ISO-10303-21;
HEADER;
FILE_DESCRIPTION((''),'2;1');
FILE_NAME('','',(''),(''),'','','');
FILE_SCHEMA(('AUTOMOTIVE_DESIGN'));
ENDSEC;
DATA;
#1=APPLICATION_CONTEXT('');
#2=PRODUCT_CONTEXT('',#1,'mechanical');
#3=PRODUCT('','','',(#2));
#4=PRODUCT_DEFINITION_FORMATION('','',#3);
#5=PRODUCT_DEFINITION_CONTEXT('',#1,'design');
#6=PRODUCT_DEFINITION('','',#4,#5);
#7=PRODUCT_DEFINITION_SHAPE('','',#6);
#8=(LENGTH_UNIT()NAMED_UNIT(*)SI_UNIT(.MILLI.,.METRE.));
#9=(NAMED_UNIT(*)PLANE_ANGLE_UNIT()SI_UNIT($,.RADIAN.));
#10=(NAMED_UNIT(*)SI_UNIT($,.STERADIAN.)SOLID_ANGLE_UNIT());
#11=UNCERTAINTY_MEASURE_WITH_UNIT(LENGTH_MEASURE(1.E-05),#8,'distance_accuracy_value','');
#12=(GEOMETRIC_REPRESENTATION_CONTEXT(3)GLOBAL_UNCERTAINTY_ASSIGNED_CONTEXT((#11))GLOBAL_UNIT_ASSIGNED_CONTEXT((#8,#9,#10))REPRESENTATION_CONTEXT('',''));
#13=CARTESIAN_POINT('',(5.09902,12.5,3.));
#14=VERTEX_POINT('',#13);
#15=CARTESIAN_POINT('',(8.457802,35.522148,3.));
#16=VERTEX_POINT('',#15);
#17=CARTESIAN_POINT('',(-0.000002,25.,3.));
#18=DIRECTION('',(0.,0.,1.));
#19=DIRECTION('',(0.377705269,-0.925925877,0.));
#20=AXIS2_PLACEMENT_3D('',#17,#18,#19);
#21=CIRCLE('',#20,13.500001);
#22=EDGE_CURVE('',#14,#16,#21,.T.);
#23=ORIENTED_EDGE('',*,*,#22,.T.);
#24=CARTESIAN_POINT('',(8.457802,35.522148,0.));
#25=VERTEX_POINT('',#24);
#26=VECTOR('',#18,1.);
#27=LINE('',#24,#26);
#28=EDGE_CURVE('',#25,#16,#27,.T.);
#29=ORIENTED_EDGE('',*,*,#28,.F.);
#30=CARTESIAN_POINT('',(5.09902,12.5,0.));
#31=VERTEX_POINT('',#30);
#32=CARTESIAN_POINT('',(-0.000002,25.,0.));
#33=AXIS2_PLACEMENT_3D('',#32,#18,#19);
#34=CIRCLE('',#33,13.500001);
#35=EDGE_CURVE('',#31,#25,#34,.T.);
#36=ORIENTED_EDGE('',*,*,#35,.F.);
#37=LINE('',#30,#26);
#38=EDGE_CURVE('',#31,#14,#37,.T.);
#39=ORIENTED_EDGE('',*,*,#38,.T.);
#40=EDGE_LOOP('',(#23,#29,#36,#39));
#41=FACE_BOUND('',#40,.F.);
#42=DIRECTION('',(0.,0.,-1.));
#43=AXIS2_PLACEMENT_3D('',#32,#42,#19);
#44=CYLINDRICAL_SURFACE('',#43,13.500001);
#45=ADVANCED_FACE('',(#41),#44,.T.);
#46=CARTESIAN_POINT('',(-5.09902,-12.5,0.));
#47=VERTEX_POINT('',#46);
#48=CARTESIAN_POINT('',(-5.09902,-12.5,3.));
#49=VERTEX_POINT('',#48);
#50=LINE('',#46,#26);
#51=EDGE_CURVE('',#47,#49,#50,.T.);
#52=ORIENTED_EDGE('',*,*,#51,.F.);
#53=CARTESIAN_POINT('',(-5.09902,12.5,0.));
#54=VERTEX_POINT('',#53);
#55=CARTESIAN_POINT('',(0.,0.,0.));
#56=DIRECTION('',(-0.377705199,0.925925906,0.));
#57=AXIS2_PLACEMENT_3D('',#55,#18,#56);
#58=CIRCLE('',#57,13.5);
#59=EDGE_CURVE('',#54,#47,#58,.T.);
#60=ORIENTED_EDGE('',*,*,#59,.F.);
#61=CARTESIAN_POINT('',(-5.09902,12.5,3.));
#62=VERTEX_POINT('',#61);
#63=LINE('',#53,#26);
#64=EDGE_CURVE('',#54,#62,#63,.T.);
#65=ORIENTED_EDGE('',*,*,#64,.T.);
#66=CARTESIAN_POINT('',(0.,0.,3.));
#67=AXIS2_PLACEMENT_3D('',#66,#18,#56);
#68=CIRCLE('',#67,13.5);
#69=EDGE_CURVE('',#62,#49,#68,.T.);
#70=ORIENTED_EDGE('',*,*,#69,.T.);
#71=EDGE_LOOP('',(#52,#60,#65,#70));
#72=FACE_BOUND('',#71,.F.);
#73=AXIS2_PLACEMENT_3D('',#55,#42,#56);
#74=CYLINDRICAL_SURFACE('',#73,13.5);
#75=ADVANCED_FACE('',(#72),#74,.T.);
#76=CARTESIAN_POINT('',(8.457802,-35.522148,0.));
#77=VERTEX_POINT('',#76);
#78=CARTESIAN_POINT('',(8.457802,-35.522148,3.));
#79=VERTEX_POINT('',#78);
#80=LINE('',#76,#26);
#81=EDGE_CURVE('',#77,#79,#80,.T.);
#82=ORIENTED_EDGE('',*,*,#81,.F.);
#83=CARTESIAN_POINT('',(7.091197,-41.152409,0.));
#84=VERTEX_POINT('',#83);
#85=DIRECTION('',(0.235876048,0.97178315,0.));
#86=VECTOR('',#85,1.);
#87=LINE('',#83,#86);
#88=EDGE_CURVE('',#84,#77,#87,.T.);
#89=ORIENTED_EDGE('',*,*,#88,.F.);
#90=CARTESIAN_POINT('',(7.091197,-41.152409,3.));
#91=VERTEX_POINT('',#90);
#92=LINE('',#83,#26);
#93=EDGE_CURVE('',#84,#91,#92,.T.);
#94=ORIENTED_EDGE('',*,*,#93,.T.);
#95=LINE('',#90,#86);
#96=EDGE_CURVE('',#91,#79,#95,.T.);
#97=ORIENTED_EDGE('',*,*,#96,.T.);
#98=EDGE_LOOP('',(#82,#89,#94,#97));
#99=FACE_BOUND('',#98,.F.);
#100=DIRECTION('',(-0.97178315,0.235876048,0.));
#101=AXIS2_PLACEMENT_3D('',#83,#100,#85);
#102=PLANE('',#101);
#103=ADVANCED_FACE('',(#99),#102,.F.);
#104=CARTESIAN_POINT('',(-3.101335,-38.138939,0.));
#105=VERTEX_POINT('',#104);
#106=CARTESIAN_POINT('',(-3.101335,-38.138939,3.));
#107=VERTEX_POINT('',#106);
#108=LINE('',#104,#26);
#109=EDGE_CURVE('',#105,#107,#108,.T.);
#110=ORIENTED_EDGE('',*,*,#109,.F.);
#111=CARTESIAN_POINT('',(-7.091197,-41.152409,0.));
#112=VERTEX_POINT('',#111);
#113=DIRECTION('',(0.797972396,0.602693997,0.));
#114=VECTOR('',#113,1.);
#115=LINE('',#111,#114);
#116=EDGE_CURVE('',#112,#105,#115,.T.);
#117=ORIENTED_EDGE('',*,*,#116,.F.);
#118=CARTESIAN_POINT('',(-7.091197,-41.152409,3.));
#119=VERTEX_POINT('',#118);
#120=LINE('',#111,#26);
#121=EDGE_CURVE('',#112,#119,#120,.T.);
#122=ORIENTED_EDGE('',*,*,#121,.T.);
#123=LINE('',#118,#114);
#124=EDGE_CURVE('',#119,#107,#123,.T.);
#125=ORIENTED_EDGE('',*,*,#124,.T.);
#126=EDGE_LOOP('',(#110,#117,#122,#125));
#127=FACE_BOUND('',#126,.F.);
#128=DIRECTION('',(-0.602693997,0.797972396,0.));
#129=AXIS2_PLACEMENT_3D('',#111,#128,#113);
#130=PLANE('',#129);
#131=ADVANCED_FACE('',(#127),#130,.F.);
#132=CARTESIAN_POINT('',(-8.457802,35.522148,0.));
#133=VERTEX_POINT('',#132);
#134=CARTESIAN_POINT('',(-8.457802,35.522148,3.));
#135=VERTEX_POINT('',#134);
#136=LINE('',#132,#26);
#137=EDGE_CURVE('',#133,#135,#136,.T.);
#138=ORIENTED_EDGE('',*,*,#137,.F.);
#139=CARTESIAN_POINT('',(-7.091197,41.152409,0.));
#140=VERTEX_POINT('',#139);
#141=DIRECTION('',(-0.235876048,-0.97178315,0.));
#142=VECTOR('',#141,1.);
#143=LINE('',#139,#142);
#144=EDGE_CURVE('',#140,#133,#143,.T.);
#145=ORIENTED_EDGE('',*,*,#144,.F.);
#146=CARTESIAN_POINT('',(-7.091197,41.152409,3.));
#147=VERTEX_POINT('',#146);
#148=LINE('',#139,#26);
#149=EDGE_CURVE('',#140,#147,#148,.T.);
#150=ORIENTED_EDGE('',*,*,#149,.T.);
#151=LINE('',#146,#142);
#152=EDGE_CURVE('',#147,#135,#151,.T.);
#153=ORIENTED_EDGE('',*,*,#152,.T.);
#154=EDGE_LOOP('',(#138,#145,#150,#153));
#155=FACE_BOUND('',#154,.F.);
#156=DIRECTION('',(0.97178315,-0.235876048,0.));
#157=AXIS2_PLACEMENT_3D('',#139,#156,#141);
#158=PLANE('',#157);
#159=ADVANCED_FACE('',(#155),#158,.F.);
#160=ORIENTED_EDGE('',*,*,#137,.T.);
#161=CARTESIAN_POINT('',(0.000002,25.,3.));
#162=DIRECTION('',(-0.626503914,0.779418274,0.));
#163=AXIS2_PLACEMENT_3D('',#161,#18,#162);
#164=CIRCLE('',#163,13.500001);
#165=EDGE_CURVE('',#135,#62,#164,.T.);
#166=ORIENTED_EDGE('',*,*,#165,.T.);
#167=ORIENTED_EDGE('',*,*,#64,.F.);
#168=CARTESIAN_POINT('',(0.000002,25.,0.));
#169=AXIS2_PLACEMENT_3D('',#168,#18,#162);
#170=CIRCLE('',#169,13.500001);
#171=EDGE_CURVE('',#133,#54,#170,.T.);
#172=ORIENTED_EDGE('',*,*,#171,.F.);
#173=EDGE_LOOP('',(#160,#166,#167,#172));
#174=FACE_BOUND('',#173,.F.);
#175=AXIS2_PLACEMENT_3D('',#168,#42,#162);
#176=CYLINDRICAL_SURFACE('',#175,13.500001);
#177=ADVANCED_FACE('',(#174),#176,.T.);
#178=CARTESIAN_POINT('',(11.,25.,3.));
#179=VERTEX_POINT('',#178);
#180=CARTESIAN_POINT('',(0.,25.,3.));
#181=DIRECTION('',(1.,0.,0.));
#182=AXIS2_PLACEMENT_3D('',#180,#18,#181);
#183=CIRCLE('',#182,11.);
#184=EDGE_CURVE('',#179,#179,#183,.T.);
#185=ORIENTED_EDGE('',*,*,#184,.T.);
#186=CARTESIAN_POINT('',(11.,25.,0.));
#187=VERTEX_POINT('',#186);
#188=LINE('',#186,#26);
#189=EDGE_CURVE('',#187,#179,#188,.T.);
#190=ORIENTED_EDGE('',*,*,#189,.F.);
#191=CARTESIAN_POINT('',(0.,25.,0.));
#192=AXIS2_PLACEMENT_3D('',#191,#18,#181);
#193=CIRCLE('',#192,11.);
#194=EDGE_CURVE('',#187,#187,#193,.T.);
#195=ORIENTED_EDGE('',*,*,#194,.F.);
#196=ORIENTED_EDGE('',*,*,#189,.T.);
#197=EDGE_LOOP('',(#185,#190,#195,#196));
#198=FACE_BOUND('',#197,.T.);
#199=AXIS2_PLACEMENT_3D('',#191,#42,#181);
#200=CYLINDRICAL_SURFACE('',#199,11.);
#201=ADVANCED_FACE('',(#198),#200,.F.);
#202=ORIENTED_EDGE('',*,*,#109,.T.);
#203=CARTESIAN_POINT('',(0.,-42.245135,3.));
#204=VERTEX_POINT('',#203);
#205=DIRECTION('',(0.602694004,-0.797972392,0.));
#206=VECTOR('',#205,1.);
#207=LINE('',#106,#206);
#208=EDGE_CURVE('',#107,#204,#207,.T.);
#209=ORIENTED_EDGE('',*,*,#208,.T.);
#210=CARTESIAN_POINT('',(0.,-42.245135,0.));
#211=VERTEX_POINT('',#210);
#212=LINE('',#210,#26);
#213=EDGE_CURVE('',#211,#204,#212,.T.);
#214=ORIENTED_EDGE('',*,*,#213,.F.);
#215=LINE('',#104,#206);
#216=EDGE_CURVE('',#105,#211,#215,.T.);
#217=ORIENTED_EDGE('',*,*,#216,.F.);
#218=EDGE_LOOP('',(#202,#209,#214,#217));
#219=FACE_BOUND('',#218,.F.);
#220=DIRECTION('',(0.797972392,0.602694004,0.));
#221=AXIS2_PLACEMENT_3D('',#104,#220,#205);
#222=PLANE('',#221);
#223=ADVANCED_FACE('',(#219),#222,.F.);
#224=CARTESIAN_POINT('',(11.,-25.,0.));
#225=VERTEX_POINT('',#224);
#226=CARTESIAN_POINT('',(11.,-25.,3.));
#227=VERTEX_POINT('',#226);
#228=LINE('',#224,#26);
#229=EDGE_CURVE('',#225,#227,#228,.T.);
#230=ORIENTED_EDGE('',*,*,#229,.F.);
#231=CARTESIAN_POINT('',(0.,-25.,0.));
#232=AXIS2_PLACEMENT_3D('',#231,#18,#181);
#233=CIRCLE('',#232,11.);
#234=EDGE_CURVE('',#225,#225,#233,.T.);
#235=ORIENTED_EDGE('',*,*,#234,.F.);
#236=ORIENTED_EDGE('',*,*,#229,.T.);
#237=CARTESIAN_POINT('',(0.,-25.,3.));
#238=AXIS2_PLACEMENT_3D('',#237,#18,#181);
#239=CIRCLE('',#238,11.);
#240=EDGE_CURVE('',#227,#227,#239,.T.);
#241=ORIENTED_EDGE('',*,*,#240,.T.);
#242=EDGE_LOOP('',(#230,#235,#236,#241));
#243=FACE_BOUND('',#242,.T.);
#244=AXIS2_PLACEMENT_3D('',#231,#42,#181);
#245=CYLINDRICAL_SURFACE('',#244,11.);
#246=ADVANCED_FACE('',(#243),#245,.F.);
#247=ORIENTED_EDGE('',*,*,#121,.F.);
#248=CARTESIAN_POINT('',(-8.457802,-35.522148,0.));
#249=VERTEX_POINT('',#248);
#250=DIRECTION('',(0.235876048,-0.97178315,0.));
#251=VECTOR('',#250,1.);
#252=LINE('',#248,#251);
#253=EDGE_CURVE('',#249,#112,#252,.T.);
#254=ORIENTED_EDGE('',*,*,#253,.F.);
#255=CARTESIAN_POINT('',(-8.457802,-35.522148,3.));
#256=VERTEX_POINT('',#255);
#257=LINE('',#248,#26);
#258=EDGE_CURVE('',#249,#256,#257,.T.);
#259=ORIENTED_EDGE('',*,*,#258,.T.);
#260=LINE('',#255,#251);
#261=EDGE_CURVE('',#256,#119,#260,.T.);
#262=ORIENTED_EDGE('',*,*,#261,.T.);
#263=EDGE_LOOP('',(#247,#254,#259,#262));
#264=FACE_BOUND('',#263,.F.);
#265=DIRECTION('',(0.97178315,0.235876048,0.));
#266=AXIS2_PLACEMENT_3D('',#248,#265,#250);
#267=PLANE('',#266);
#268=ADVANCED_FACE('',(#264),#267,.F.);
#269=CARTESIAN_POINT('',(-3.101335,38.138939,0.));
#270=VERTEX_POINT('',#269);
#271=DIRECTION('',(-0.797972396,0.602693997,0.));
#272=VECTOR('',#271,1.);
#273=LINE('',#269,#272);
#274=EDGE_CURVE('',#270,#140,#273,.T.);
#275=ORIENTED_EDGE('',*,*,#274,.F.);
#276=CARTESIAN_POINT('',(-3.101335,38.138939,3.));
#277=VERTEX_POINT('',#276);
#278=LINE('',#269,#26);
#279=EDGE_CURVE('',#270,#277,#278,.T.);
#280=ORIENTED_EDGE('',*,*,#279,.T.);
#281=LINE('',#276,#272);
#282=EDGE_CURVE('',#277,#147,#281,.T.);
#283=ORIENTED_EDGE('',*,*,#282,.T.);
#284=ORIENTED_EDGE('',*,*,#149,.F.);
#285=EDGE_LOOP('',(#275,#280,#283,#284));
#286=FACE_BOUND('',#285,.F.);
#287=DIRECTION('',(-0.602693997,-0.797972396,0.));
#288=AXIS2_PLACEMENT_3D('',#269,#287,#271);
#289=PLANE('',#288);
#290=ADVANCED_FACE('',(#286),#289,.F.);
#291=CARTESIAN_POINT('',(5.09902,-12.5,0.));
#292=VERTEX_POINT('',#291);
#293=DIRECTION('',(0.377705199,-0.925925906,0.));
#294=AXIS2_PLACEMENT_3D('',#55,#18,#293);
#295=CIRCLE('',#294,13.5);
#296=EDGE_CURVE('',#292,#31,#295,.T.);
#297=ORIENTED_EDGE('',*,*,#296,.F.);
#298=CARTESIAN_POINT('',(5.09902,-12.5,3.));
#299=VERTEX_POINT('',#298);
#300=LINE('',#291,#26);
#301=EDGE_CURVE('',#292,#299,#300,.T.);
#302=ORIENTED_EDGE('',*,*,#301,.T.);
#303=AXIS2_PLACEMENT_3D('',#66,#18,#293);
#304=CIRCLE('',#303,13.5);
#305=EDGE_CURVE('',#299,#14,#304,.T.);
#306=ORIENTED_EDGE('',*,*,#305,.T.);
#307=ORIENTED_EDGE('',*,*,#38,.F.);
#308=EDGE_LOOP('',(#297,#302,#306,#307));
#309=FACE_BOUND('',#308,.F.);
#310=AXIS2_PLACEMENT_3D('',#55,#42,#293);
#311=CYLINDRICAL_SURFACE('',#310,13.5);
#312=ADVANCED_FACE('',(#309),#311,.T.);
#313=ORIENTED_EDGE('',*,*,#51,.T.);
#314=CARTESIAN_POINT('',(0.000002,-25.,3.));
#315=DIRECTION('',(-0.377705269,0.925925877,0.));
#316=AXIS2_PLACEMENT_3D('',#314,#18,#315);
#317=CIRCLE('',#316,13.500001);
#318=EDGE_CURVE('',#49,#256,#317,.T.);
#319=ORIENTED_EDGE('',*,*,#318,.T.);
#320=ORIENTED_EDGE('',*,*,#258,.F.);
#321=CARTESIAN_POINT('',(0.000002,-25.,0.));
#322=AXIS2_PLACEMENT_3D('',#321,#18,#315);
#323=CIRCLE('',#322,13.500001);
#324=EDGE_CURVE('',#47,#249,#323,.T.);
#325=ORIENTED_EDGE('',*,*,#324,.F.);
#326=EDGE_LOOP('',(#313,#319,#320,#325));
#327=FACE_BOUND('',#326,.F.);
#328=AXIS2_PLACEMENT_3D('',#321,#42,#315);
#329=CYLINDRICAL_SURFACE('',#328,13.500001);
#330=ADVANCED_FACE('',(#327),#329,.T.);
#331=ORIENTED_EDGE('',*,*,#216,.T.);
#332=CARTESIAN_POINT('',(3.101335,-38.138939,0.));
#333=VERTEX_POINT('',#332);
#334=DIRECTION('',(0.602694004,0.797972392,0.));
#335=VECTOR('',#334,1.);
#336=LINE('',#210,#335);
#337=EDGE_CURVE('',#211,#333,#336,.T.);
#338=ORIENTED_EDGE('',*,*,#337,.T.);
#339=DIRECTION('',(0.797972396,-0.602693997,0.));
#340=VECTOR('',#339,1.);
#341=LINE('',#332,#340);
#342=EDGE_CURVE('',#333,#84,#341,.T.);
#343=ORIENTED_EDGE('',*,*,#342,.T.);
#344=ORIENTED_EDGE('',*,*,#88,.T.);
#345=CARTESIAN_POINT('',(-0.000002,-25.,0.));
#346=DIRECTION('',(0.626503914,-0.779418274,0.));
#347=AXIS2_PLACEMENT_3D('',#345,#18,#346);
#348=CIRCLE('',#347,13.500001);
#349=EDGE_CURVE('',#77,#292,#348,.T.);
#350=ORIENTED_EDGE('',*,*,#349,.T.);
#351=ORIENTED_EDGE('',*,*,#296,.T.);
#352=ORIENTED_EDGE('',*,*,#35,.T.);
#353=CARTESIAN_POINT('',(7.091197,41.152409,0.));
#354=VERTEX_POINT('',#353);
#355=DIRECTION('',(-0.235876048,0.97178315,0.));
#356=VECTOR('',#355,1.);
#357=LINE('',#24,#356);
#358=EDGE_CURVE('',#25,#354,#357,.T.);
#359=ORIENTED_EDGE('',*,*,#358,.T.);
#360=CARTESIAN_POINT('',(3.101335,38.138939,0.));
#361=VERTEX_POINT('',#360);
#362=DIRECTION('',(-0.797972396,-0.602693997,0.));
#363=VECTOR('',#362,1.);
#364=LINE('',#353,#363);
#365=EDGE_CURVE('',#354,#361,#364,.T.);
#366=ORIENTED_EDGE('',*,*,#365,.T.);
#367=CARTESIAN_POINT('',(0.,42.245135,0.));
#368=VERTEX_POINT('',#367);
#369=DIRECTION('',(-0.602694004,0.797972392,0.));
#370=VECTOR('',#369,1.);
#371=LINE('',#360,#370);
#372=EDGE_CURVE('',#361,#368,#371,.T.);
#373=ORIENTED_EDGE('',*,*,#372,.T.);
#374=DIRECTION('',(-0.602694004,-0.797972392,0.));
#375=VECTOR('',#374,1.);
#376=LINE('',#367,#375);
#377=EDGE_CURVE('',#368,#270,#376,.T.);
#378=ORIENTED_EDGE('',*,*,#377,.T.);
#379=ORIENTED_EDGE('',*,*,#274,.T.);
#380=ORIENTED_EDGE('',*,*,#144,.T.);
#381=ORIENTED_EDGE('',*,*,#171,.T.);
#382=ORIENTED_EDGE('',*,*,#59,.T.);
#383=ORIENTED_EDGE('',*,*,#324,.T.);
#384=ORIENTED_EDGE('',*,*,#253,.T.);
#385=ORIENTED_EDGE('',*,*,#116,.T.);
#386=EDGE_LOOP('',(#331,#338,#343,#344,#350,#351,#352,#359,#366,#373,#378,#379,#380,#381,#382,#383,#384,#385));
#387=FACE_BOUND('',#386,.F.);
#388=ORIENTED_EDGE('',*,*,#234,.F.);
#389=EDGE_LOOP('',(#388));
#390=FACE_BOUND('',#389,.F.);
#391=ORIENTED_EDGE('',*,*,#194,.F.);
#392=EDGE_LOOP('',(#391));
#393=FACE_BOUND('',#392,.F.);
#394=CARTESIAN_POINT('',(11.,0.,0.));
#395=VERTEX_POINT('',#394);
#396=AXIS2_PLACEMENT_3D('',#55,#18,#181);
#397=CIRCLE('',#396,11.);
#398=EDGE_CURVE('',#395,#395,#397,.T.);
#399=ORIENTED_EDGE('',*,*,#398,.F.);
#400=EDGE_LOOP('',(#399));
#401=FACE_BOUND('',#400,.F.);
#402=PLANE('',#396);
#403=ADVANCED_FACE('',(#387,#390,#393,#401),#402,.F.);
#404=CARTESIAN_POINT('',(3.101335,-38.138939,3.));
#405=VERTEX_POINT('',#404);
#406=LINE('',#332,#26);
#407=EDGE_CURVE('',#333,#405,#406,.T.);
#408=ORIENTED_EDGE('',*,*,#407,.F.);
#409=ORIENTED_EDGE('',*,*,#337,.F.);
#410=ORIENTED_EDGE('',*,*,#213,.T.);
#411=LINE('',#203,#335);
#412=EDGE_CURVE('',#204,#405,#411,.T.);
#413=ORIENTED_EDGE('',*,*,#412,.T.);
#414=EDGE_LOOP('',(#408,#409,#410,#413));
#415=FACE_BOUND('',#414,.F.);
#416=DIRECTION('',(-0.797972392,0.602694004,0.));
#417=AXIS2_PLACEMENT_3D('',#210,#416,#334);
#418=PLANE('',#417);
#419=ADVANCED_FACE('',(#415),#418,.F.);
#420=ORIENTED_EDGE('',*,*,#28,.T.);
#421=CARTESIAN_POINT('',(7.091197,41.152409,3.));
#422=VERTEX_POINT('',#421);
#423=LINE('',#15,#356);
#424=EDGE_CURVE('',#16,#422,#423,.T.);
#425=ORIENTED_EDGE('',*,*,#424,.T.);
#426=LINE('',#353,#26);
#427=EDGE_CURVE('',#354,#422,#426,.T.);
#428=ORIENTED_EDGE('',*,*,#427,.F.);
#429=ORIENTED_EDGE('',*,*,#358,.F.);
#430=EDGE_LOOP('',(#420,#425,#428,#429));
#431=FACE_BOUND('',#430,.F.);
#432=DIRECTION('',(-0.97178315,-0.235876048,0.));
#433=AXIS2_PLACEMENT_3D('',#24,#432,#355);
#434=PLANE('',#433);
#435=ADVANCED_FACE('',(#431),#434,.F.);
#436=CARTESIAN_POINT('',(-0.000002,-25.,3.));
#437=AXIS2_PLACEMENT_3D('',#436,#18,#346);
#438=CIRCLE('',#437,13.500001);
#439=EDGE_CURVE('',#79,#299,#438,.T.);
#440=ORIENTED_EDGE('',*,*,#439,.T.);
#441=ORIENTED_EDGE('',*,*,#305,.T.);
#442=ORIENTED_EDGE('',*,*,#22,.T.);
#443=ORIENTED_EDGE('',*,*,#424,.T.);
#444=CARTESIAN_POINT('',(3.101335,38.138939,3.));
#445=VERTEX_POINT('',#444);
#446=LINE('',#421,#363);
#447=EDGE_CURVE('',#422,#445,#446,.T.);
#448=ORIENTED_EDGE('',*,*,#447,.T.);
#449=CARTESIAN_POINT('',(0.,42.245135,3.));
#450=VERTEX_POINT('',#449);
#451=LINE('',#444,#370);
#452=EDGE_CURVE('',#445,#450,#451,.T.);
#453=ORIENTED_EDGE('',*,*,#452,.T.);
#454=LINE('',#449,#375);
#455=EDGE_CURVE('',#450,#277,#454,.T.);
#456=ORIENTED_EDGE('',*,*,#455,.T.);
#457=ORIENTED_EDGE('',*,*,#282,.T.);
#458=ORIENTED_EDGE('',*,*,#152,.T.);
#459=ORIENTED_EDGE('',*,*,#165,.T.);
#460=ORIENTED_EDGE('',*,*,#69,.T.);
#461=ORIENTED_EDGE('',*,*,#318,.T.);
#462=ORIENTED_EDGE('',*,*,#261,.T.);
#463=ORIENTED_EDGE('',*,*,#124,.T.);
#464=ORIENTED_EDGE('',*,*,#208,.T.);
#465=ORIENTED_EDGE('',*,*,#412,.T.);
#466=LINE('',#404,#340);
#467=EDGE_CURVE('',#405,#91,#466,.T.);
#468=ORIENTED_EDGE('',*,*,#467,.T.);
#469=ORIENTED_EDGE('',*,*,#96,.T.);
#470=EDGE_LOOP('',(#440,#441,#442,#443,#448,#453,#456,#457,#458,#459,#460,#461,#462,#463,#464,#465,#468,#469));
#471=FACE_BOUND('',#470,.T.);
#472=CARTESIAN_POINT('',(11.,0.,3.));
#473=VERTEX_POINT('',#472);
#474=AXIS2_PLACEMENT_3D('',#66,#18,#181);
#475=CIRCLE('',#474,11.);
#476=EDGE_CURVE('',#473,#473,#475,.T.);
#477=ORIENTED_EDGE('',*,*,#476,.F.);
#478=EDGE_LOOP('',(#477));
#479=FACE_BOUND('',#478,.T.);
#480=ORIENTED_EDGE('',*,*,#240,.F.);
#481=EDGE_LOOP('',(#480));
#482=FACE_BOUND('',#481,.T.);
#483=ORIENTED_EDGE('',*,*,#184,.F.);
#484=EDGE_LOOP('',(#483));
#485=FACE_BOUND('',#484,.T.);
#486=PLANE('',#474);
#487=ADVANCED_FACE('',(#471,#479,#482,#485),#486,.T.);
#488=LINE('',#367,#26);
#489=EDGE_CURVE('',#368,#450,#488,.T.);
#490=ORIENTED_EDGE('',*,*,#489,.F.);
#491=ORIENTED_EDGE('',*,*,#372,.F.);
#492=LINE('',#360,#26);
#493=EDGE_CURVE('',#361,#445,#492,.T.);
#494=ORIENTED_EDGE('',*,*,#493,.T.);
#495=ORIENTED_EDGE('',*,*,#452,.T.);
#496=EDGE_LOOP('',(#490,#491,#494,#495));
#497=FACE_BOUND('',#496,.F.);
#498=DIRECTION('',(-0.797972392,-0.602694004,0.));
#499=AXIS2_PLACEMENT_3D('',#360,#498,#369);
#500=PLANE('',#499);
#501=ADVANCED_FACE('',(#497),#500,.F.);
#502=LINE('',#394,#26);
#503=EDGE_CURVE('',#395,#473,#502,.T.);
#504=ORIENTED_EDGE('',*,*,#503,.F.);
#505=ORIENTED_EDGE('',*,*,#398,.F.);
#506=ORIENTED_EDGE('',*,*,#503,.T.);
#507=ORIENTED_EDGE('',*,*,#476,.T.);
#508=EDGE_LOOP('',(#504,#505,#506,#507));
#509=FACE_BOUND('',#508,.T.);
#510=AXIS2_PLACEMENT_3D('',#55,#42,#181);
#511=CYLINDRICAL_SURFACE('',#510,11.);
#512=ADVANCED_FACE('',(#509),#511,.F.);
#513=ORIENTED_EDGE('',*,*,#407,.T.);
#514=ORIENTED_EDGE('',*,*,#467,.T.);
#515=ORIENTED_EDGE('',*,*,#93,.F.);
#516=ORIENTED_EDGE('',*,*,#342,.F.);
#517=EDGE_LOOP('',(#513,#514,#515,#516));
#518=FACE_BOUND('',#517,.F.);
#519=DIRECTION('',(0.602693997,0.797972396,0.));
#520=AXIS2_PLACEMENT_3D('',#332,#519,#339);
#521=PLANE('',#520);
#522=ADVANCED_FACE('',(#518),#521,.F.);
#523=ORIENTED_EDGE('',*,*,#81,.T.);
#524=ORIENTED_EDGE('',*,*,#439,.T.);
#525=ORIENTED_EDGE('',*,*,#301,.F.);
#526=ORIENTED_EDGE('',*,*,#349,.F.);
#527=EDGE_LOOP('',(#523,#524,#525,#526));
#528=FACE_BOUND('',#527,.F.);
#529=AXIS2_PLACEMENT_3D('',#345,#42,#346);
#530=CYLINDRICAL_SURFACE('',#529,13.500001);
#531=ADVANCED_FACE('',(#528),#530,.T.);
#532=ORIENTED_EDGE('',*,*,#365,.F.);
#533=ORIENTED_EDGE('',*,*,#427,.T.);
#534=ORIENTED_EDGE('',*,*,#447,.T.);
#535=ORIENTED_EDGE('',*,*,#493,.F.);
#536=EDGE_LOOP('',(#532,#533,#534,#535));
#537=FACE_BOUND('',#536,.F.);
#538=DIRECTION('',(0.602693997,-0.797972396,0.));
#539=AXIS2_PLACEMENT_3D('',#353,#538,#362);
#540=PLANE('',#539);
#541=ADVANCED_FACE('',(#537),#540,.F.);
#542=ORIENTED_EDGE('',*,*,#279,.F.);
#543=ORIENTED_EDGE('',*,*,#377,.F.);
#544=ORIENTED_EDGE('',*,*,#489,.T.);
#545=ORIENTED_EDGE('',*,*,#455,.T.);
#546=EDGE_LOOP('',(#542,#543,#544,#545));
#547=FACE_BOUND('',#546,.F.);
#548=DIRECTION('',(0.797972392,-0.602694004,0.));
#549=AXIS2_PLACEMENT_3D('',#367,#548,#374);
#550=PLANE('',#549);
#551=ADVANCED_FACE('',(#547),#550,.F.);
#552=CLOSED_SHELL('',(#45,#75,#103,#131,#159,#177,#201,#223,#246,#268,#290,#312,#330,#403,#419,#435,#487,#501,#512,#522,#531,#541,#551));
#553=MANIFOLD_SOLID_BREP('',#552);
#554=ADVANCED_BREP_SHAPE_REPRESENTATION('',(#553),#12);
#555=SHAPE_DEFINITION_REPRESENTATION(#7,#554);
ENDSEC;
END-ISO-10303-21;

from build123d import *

# Parameters (mm, degrees)
F0_R     = 11
F1_DEPTH = 3


with BuildPart() as f1:
    # F0 (on Top) → F1 (new body)
    with BuildSketch(Plane.XY):
        with BuildLine():
            ThreePointArc((8.457802, -35.522148), (13.35858, -23.05107), (5.09902, -12.5))
            ThreePointArc((5.09902, -12.5), (13.5, 0), (5.09902, 12.5))
            ThreePointArc((5.09902, 12.5), (13.35858, 23.05107), (8.457802, 35.522148))
            Line((8.457802, 35.522148), (7.091197, 41.152409))
            Line((7.091197, 41.152409), (3.101335, 38.138939))
            Line((3.101335, 38.138939), (0, 42.245135))
            Line((0, 42.245135), (-3.101335, 38.138939))
            Line((-3.101335, 38.138939), (-7.091197, 41.152409))
            Line((-7.091197, 41.152409), (-8.457802, 35.522148))
            ThreePointArc((-8.457802, 35.522148), (-13.35858, 23.05107), (-5.09902, 12.5))
            ThreePointArc((-5.09902, 12.5), (-13.5, 0), (-5.09902, -12.5))
            ThreePointArc((-5.09902, -12.5), (-13.35858, -23.05107), (-8.457802, -35.522148))
            Line((-8.457802, -35.522148), (-7.091197, -41.152409))
            Line((-7.091197, -41.152409), (-3.101335, -38.138939))
            Line((-3.101335, -38.138939), (0, -42.245135))
            Line((0, -42.245135), (3.101335, -38.138939))
            Line((3.101335, -38.138939), (7.091197, -41.152409))
            Line((7.091197, -41.152409), (8.457802, -35.522148))
        make_face()
        with Locations((0, -25)):
            Circle(F0_R, mode=Mode.SUBTRACT)
        Circle(F0_R, mode=Mode.SUBTRACT)
        with Locations((0, 25)):
            Circle(F0_R, mode=Mode.SUBTRACT)
    extrude(amount=F1_DEPTH)


solid = f1.part
